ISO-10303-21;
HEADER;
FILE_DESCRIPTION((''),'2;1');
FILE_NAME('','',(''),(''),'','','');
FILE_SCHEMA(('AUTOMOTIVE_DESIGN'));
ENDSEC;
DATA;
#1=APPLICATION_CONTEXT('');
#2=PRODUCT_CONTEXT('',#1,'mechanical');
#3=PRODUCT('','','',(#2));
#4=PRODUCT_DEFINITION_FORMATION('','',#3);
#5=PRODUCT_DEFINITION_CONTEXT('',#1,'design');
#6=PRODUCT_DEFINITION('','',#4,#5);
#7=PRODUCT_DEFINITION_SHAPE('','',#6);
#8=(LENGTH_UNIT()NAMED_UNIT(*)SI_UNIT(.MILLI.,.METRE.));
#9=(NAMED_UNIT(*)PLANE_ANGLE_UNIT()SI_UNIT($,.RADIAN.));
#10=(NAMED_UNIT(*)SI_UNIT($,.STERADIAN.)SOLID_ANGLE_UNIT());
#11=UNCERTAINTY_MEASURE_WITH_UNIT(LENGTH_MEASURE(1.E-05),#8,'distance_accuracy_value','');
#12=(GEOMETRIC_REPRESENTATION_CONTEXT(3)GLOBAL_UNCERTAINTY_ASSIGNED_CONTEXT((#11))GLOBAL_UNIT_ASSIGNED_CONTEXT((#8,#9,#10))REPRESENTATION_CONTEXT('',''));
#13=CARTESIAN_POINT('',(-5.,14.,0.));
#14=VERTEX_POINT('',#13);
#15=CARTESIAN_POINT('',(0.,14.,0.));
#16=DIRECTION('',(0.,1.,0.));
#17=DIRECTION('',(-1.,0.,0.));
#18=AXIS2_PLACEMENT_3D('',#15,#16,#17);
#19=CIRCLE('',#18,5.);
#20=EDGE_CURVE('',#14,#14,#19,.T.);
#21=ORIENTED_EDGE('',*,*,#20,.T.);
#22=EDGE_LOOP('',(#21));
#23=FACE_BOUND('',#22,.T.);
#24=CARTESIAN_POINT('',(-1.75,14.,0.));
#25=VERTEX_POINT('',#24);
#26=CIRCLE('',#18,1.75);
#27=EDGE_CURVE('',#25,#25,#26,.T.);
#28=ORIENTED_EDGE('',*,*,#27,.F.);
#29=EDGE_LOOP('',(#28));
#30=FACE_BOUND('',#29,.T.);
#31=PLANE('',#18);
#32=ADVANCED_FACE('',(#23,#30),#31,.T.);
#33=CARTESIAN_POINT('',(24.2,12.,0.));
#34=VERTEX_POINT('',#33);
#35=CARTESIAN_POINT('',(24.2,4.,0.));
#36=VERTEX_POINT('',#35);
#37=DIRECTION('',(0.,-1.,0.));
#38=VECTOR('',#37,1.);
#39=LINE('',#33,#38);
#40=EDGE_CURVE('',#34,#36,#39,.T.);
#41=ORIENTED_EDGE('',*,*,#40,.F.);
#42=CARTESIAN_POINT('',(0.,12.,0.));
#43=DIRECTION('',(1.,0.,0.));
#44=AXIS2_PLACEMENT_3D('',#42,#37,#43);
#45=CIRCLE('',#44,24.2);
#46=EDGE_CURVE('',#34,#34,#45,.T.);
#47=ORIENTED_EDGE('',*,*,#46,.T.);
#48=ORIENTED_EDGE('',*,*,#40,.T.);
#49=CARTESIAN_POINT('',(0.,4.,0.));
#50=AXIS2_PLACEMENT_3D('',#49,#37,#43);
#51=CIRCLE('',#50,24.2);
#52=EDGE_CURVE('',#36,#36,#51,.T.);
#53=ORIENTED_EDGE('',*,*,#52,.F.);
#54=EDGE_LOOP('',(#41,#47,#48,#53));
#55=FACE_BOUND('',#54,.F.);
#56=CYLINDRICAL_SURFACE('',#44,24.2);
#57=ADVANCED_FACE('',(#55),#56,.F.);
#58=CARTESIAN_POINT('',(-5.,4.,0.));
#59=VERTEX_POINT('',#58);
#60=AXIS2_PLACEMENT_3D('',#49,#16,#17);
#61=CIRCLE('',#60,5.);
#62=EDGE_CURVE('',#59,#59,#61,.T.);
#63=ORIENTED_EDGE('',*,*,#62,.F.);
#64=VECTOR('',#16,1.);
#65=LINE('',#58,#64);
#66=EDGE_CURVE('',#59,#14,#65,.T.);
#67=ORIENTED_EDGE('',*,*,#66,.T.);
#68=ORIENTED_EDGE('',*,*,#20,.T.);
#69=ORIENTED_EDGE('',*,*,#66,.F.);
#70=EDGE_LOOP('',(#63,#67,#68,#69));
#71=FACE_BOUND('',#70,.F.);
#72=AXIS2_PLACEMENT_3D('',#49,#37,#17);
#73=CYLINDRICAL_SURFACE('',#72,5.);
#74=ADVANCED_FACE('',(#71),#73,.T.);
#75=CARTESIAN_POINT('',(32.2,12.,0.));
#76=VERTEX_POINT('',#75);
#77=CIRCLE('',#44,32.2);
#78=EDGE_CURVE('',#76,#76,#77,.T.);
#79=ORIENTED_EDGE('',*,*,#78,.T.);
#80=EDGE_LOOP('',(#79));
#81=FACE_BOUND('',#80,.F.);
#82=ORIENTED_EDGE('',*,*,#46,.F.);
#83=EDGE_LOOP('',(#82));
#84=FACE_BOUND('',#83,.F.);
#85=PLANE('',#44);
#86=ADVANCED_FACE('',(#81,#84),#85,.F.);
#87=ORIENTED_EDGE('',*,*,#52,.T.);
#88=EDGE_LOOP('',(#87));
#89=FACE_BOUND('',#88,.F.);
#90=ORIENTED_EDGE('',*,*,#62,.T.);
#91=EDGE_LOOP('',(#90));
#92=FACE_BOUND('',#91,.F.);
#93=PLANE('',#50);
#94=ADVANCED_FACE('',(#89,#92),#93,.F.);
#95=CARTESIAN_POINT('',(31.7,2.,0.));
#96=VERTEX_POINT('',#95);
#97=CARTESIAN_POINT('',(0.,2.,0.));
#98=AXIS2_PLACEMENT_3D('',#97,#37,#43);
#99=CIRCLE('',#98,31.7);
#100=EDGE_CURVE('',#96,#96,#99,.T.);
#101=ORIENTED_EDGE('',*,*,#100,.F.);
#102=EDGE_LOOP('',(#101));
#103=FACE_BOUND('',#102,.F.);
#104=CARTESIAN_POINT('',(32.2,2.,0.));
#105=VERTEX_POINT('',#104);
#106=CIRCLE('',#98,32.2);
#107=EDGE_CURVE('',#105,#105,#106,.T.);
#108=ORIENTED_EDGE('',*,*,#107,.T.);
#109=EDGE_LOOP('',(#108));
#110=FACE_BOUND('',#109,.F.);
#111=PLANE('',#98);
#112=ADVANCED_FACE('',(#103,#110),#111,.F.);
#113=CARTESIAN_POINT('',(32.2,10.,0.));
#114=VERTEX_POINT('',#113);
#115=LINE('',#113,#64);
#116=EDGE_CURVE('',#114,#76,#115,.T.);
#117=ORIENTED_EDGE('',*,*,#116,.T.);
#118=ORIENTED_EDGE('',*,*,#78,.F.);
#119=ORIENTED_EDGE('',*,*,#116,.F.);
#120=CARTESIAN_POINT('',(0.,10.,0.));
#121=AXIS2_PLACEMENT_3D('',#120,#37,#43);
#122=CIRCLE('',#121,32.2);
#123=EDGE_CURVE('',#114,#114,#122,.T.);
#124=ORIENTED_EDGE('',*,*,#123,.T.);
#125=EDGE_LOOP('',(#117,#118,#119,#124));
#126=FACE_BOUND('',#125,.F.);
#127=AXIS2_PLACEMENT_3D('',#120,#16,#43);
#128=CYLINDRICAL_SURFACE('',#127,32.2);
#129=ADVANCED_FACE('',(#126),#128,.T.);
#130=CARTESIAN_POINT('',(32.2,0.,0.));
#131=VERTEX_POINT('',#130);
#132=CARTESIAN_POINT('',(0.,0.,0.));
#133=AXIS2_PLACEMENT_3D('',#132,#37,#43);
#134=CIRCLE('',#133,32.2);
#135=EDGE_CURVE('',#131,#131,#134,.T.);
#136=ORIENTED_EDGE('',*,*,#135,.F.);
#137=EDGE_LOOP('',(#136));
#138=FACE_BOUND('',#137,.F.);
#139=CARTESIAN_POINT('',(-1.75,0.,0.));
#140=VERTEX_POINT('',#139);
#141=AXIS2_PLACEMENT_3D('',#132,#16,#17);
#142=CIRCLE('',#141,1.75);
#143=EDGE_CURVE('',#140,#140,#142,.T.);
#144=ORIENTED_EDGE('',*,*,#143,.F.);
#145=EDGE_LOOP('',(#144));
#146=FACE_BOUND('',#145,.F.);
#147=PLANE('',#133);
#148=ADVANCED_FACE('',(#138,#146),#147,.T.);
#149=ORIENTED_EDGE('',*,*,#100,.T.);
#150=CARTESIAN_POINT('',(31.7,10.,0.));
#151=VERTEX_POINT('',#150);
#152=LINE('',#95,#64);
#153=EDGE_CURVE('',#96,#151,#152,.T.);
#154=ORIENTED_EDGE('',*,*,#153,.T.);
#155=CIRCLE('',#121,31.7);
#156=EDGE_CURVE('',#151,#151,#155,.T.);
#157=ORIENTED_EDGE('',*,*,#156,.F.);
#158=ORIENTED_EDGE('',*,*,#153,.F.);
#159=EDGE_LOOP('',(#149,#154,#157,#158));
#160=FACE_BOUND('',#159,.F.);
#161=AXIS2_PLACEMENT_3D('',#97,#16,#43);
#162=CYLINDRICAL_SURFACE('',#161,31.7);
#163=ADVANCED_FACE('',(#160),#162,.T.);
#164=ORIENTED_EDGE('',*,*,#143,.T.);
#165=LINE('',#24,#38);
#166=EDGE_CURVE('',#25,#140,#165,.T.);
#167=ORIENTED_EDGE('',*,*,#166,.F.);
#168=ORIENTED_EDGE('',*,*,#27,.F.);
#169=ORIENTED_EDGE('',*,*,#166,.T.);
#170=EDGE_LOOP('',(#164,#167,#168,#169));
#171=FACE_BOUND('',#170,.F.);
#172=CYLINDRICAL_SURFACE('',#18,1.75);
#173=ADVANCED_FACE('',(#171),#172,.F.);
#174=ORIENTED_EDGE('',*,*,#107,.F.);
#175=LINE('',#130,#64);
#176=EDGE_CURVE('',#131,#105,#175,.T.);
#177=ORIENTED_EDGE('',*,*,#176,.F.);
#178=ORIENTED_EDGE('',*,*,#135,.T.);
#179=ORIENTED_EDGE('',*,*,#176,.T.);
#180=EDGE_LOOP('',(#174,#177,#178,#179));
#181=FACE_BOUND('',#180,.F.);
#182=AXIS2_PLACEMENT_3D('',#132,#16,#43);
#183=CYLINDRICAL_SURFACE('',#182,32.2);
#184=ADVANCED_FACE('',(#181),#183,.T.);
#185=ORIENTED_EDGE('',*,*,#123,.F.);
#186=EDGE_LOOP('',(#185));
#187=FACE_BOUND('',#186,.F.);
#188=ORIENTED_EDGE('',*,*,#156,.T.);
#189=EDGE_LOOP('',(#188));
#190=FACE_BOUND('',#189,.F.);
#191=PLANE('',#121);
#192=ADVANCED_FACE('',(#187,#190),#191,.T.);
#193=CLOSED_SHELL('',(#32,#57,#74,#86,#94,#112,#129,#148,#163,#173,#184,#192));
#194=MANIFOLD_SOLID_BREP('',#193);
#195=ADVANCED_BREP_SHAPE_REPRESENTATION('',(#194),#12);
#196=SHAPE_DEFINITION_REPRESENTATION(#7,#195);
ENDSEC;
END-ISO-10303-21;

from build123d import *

# Parameters (mm, degrees)
F2_R     = 5
F3_DEPTH = 10
F4_R     = 1.75
F5_DEPTH = 25


with BuildPart() as f1:
    # F0 (on Top) → F1 (revolve)
    with BuildSketch(Plane.XY):
        Polygon((0, 4), (0, 0), (32.2, 0), (32.2, 2), (31.7, 2), (31.7, 10), (32.2, 10), (32.2, 12), (24.2, 12), (24.2, 4), align=None)
    revolve(axis=Axis((0, 2, 0), (0, -1, 0)))

    # F2 (on face) → F3 (join)
    with BuildSketch(Plane(origin=(0, 4, 0), x_dir=(-1, 0, 0), z_dir=(0, 1, 0))):
        Circle(F2_R)
    extrude(amount=F3_DEPTH)

    # F4 (on face) → F5 (cut)
    with BuildSketch(Plane(origin=(0, 14, 0), x_dir=(-1, 0, 0), z_dir=(0, 1, 0))):
        Circle(F4_R)
    extrude(amount=-F5_DEPTH, mode=Mode.SUBTRACT)


solid = f1.part
